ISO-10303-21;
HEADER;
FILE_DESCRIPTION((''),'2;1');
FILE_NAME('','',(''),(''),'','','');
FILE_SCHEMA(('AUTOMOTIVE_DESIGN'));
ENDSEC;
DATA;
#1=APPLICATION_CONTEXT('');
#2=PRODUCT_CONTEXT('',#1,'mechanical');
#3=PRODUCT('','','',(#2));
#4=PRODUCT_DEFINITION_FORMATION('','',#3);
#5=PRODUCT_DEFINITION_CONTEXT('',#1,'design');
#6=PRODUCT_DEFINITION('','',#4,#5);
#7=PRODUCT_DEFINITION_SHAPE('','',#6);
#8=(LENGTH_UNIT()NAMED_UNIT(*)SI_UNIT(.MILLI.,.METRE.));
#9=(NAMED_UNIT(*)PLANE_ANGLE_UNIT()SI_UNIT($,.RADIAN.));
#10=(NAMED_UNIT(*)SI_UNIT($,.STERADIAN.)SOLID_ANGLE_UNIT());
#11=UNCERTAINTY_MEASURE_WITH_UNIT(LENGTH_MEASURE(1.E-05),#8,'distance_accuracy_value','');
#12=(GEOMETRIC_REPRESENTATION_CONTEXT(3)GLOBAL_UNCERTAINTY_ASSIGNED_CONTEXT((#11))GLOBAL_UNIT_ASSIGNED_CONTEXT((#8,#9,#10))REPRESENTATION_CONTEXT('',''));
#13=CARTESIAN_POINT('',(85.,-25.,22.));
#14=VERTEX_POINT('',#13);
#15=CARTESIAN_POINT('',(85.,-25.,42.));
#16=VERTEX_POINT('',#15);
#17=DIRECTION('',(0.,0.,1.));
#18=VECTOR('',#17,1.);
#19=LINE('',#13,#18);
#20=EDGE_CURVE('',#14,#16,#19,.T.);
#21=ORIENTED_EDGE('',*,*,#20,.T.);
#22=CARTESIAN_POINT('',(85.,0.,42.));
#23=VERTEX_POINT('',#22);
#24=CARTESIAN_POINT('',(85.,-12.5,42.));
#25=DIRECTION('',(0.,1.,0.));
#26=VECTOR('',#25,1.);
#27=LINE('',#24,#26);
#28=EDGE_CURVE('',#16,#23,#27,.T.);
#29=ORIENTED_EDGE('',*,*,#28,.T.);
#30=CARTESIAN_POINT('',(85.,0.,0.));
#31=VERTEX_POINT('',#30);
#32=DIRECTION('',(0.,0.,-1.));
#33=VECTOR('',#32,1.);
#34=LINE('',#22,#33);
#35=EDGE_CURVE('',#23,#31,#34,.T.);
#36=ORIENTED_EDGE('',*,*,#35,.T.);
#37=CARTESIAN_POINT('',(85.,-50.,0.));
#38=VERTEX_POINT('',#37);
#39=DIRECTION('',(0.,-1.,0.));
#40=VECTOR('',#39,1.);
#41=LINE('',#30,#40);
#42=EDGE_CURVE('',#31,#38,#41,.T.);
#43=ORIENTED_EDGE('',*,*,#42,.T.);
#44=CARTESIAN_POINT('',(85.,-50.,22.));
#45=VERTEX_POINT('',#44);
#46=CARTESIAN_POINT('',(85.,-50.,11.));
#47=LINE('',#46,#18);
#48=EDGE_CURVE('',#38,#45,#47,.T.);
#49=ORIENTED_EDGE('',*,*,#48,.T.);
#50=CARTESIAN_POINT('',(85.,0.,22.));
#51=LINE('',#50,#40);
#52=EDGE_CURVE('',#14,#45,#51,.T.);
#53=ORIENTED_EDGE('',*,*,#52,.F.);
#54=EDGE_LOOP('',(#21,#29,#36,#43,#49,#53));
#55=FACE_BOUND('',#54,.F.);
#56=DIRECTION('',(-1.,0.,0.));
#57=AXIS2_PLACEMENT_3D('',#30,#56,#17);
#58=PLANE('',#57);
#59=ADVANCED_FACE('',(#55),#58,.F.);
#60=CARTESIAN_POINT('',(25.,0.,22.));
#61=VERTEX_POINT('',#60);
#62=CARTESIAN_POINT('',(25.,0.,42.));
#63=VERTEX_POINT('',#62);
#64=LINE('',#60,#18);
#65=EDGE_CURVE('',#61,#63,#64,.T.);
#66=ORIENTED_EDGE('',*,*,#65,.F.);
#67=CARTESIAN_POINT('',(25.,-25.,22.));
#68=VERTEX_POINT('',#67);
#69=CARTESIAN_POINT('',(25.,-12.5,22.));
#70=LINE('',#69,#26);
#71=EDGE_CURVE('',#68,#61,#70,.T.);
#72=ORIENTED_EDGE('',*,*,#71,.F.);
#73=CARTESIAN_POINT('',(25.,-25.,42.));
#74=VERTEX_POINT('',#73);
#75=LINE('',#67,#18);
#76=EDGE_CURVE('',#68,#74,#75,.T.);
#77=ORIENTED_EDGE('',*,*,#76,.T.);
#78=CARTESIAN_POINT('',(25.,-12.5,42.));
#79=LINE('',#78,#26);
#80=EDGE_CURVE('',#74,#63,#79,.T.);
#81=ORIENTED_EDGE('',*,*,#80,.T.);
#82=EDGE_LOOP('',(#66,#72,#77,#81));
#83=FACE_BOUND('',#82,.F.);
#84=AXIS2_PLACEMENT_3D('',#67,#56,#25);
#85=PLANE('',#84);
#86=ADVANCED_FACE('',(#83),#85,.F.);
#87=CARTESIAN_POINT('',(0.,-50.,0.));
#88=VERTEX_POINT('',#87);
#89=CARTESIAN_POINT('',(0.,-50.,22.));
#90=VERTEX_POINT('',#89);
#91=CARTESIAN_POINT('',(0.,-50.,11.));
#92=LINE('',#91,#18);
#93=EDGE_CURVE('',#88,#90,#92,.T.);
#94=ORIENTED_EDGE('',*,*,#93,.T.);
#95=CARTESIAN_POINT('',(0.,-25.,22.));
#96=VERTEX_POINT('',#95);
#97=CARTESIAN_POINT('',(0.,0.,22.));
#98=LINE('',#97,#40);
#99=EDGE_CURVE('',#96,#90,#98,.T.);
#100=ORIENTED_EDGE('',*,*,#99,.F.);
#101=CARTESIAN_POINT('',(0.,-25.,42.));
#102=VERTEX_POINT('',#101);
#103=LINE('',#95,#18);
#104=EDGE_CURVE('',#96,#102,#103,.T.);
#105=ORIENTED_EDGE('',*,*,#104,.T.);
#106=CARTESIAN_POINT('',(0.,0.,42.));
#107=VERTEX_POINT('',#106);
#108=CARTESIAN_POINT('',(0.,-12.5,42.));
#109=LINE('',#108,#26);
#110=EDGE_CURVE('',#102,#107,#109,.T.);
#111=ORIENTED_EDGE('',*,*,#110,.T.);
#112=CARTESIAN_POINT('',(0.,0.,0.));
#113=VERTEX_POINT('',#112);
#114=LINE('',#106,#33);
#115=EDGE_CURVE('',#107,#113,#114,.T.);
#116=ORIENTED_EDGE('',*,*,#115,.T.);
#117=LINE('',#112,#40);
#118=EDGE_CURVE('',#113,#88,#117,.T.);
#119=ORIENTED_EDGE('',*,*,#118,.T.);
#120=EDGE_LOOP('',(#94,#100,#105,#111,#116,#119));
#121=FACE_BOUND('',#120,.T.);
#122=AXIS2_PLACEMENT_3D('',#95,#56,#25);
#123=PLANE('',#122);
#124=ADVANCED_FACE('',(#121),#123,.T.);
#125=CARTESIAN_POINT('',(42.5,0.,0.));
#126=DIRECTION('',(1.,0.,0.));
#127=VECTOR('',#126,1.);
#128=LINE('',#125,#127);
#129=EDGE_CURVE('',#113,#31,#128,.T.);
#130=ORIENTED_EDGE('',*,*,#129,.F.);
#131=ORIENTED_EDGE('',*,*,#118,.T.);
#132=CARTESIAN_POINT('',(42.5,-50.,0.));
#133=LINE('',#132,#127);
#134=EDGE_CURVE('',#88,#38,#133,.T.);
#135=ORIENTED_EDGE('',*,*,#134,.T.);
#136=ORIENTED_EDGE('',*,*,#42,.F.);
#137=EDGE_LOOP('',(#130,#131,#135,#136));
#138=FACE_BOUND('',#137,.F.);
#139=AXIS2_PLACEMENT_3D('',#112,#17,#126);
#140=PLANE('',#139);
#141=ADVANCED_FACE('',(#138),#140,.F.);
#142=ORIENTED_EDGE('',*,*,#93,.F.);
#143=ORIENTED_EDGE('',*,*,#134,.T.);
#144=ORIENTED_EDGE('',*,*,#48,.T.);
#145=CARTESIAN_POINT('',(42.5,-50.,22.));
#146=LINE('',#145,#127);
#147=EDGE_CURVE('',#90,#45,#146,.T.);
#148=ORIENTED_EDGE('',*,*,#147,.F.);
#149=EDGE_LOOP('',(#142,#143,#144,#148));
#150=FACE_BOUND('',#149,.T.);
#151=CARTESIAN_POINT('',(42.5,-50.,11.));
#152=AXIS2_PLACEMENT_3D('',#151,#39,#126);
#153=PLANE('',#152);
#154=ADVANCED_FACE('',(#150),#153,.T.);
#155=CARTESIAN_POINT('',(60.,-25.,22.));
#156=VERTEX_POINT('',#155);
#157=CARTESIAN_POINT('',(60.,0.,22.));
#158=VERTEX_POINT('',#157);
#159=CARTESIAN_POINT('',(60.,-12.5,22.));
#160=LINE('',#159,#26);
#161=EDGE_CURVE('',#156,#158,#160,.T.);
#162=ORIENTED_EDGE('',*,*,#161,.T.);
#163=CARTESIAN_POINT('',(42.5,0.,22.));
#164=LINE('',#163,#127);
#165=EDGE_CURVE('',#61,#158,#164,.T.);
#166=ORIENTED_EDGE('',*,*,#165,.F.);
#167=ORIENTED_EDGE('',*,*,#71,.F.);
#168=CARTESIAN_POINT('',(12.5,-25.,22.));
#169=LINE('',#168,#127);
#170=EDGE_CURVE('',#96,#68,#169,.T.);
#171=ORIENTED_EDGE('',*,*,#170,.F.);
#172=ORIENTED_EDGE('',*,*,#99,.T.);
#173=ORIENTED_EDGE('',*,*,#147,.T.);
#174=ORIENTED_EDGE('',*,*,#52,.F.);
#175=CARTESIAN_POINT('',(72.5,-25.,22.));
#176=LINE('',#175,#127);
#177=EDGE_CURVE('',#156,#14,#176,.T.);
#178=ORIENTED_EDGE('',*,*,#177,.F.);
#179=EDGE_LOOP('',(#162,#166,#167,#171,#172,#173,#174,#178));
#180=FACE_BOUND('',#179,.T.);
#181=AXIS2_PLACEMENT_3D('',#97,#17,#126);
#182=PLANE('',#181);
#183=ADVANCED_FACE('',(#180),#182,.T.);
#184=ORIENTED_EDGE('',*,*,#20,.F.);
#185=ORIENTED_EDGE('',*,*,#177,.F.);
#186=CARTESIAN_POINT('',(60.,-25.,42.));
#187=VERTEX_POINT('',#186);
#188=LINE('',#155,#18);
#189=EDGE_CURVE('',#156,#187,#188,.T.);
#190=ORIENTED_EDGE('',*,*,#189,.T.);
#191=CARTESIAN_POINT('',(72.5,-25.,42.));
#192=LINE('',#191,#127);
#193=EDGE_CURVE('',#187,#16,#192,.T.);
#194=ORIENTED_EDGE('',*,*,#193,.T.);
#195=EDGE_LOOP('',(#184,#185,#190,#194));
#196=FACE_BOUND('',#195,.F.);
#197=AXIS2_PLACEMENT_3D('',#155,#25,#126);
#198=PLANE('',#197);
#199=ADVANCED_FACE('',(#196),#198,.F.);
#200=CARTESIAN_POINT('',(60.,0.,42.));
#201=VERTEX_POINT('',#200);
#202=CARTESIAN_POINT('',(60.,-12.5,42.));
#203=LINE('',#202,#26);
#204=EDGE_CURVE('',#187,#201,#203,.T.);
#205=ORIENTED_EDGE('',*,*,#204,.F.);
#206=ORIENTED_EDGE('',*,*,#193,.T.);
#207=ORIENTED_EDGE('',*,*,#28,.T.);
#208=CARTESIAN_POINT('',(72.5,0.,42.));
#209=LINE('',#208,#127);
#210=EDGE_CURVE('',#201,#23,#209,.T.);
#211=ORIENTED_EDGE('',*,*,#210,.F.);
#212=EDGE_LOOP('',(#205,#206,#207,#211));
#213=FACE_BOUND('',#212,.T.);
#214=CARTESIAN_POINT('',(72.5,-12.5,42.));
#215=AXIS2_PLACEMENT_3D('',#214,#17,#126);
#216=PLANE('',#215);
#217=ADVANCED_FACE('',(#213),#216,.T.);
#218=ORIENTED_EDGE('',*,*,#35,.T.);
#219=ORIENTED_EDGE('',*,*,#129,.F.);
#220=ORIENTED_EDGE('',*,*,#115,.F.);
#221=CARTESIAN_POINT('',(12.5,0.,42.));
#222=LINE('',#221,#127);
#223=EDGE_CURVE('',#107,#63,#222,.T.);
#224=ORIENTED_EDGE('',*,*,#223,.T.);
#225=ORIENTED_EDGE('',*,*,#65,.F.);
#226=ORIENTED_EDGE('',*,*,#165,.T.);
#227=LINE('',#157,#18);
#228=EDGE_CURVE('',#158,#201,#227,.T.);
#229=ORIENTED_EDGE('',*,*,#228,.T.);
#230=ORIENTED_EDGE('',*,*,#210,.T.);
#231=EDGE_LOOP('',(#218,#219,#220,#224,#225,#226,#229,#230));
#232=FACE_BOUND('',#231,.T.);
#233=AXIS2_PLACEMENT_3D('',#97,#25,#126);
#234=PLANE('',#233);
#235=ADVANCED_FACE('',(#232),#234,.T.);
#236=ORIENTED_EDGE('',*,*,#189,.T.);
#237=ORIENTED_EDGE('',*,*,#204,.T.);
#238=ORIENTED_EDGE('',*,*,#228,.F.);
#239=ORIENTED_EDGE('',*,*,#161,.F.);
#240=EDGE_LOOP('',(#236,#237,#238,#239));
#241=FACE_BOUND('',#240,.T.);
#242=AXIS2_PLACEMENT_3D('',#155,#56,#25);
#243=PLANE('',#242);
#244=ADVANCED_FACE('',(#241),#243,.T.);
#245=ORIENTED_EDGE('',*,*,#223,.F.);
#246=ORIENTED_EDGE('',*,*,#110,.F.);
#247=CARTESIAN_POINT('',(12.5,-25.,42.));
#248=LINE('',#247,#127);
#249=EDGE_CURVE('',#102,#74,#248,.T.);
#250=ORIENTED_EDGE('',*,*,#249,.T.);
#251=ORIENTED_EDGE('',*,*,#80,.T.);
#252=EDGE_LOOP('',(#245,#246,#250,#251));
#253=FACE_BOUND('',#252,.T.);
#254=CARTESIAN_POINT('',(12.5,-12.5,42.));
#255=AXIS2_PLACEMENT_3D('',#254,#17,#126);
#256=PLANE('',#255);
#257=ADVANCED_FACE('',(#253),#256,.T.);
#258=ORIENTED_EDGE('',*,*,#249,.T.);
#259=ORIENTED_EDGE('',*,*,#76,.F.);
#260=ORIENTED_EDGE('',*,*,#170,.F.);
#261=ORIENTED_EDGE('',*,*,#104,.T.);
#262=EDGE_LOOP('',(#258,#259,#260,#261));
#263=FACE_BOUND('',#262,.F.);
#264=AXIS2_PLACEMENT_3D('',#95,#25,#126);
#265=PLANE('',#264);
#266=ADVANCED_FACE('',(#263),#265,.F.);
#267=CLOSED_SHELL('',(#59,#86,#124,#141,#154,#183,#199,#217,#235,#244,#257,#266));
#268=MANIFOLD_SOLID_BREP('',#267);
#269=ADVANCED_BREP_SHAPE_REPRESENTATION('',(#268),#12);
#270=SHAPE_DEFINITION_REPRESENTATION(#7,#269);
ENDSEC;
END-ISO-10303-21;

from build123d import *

# Parameters (mm, degrees)
F0_W     = 85
F0_H     = 22
F1_DEPTH = 50
F2_W     = 25
F2_H     = 25
F3_DEPTH = 20


with BuildPart() as f1:
    # F0 (on Front) → F1 (new body)
    with BuildSketch(Plane.XZ):
        with Locations((42.5, 11)):
            Rectangle(F0_W, F0_H)
    extrude(amount=F1_DEPTH)

    # F2 (on face) → F3 (join)
    with BuildSketch(Plane.XY.offset(22)):
        with Locations((12.5, -12.5)):
            Rectangle(F2_W, F2_H)
        with Locations((72.5, -12.5)):
            Rectangle(F2_W, F2_H)
    extrude(amount=F3_DEPTH)


solid = f1.part
